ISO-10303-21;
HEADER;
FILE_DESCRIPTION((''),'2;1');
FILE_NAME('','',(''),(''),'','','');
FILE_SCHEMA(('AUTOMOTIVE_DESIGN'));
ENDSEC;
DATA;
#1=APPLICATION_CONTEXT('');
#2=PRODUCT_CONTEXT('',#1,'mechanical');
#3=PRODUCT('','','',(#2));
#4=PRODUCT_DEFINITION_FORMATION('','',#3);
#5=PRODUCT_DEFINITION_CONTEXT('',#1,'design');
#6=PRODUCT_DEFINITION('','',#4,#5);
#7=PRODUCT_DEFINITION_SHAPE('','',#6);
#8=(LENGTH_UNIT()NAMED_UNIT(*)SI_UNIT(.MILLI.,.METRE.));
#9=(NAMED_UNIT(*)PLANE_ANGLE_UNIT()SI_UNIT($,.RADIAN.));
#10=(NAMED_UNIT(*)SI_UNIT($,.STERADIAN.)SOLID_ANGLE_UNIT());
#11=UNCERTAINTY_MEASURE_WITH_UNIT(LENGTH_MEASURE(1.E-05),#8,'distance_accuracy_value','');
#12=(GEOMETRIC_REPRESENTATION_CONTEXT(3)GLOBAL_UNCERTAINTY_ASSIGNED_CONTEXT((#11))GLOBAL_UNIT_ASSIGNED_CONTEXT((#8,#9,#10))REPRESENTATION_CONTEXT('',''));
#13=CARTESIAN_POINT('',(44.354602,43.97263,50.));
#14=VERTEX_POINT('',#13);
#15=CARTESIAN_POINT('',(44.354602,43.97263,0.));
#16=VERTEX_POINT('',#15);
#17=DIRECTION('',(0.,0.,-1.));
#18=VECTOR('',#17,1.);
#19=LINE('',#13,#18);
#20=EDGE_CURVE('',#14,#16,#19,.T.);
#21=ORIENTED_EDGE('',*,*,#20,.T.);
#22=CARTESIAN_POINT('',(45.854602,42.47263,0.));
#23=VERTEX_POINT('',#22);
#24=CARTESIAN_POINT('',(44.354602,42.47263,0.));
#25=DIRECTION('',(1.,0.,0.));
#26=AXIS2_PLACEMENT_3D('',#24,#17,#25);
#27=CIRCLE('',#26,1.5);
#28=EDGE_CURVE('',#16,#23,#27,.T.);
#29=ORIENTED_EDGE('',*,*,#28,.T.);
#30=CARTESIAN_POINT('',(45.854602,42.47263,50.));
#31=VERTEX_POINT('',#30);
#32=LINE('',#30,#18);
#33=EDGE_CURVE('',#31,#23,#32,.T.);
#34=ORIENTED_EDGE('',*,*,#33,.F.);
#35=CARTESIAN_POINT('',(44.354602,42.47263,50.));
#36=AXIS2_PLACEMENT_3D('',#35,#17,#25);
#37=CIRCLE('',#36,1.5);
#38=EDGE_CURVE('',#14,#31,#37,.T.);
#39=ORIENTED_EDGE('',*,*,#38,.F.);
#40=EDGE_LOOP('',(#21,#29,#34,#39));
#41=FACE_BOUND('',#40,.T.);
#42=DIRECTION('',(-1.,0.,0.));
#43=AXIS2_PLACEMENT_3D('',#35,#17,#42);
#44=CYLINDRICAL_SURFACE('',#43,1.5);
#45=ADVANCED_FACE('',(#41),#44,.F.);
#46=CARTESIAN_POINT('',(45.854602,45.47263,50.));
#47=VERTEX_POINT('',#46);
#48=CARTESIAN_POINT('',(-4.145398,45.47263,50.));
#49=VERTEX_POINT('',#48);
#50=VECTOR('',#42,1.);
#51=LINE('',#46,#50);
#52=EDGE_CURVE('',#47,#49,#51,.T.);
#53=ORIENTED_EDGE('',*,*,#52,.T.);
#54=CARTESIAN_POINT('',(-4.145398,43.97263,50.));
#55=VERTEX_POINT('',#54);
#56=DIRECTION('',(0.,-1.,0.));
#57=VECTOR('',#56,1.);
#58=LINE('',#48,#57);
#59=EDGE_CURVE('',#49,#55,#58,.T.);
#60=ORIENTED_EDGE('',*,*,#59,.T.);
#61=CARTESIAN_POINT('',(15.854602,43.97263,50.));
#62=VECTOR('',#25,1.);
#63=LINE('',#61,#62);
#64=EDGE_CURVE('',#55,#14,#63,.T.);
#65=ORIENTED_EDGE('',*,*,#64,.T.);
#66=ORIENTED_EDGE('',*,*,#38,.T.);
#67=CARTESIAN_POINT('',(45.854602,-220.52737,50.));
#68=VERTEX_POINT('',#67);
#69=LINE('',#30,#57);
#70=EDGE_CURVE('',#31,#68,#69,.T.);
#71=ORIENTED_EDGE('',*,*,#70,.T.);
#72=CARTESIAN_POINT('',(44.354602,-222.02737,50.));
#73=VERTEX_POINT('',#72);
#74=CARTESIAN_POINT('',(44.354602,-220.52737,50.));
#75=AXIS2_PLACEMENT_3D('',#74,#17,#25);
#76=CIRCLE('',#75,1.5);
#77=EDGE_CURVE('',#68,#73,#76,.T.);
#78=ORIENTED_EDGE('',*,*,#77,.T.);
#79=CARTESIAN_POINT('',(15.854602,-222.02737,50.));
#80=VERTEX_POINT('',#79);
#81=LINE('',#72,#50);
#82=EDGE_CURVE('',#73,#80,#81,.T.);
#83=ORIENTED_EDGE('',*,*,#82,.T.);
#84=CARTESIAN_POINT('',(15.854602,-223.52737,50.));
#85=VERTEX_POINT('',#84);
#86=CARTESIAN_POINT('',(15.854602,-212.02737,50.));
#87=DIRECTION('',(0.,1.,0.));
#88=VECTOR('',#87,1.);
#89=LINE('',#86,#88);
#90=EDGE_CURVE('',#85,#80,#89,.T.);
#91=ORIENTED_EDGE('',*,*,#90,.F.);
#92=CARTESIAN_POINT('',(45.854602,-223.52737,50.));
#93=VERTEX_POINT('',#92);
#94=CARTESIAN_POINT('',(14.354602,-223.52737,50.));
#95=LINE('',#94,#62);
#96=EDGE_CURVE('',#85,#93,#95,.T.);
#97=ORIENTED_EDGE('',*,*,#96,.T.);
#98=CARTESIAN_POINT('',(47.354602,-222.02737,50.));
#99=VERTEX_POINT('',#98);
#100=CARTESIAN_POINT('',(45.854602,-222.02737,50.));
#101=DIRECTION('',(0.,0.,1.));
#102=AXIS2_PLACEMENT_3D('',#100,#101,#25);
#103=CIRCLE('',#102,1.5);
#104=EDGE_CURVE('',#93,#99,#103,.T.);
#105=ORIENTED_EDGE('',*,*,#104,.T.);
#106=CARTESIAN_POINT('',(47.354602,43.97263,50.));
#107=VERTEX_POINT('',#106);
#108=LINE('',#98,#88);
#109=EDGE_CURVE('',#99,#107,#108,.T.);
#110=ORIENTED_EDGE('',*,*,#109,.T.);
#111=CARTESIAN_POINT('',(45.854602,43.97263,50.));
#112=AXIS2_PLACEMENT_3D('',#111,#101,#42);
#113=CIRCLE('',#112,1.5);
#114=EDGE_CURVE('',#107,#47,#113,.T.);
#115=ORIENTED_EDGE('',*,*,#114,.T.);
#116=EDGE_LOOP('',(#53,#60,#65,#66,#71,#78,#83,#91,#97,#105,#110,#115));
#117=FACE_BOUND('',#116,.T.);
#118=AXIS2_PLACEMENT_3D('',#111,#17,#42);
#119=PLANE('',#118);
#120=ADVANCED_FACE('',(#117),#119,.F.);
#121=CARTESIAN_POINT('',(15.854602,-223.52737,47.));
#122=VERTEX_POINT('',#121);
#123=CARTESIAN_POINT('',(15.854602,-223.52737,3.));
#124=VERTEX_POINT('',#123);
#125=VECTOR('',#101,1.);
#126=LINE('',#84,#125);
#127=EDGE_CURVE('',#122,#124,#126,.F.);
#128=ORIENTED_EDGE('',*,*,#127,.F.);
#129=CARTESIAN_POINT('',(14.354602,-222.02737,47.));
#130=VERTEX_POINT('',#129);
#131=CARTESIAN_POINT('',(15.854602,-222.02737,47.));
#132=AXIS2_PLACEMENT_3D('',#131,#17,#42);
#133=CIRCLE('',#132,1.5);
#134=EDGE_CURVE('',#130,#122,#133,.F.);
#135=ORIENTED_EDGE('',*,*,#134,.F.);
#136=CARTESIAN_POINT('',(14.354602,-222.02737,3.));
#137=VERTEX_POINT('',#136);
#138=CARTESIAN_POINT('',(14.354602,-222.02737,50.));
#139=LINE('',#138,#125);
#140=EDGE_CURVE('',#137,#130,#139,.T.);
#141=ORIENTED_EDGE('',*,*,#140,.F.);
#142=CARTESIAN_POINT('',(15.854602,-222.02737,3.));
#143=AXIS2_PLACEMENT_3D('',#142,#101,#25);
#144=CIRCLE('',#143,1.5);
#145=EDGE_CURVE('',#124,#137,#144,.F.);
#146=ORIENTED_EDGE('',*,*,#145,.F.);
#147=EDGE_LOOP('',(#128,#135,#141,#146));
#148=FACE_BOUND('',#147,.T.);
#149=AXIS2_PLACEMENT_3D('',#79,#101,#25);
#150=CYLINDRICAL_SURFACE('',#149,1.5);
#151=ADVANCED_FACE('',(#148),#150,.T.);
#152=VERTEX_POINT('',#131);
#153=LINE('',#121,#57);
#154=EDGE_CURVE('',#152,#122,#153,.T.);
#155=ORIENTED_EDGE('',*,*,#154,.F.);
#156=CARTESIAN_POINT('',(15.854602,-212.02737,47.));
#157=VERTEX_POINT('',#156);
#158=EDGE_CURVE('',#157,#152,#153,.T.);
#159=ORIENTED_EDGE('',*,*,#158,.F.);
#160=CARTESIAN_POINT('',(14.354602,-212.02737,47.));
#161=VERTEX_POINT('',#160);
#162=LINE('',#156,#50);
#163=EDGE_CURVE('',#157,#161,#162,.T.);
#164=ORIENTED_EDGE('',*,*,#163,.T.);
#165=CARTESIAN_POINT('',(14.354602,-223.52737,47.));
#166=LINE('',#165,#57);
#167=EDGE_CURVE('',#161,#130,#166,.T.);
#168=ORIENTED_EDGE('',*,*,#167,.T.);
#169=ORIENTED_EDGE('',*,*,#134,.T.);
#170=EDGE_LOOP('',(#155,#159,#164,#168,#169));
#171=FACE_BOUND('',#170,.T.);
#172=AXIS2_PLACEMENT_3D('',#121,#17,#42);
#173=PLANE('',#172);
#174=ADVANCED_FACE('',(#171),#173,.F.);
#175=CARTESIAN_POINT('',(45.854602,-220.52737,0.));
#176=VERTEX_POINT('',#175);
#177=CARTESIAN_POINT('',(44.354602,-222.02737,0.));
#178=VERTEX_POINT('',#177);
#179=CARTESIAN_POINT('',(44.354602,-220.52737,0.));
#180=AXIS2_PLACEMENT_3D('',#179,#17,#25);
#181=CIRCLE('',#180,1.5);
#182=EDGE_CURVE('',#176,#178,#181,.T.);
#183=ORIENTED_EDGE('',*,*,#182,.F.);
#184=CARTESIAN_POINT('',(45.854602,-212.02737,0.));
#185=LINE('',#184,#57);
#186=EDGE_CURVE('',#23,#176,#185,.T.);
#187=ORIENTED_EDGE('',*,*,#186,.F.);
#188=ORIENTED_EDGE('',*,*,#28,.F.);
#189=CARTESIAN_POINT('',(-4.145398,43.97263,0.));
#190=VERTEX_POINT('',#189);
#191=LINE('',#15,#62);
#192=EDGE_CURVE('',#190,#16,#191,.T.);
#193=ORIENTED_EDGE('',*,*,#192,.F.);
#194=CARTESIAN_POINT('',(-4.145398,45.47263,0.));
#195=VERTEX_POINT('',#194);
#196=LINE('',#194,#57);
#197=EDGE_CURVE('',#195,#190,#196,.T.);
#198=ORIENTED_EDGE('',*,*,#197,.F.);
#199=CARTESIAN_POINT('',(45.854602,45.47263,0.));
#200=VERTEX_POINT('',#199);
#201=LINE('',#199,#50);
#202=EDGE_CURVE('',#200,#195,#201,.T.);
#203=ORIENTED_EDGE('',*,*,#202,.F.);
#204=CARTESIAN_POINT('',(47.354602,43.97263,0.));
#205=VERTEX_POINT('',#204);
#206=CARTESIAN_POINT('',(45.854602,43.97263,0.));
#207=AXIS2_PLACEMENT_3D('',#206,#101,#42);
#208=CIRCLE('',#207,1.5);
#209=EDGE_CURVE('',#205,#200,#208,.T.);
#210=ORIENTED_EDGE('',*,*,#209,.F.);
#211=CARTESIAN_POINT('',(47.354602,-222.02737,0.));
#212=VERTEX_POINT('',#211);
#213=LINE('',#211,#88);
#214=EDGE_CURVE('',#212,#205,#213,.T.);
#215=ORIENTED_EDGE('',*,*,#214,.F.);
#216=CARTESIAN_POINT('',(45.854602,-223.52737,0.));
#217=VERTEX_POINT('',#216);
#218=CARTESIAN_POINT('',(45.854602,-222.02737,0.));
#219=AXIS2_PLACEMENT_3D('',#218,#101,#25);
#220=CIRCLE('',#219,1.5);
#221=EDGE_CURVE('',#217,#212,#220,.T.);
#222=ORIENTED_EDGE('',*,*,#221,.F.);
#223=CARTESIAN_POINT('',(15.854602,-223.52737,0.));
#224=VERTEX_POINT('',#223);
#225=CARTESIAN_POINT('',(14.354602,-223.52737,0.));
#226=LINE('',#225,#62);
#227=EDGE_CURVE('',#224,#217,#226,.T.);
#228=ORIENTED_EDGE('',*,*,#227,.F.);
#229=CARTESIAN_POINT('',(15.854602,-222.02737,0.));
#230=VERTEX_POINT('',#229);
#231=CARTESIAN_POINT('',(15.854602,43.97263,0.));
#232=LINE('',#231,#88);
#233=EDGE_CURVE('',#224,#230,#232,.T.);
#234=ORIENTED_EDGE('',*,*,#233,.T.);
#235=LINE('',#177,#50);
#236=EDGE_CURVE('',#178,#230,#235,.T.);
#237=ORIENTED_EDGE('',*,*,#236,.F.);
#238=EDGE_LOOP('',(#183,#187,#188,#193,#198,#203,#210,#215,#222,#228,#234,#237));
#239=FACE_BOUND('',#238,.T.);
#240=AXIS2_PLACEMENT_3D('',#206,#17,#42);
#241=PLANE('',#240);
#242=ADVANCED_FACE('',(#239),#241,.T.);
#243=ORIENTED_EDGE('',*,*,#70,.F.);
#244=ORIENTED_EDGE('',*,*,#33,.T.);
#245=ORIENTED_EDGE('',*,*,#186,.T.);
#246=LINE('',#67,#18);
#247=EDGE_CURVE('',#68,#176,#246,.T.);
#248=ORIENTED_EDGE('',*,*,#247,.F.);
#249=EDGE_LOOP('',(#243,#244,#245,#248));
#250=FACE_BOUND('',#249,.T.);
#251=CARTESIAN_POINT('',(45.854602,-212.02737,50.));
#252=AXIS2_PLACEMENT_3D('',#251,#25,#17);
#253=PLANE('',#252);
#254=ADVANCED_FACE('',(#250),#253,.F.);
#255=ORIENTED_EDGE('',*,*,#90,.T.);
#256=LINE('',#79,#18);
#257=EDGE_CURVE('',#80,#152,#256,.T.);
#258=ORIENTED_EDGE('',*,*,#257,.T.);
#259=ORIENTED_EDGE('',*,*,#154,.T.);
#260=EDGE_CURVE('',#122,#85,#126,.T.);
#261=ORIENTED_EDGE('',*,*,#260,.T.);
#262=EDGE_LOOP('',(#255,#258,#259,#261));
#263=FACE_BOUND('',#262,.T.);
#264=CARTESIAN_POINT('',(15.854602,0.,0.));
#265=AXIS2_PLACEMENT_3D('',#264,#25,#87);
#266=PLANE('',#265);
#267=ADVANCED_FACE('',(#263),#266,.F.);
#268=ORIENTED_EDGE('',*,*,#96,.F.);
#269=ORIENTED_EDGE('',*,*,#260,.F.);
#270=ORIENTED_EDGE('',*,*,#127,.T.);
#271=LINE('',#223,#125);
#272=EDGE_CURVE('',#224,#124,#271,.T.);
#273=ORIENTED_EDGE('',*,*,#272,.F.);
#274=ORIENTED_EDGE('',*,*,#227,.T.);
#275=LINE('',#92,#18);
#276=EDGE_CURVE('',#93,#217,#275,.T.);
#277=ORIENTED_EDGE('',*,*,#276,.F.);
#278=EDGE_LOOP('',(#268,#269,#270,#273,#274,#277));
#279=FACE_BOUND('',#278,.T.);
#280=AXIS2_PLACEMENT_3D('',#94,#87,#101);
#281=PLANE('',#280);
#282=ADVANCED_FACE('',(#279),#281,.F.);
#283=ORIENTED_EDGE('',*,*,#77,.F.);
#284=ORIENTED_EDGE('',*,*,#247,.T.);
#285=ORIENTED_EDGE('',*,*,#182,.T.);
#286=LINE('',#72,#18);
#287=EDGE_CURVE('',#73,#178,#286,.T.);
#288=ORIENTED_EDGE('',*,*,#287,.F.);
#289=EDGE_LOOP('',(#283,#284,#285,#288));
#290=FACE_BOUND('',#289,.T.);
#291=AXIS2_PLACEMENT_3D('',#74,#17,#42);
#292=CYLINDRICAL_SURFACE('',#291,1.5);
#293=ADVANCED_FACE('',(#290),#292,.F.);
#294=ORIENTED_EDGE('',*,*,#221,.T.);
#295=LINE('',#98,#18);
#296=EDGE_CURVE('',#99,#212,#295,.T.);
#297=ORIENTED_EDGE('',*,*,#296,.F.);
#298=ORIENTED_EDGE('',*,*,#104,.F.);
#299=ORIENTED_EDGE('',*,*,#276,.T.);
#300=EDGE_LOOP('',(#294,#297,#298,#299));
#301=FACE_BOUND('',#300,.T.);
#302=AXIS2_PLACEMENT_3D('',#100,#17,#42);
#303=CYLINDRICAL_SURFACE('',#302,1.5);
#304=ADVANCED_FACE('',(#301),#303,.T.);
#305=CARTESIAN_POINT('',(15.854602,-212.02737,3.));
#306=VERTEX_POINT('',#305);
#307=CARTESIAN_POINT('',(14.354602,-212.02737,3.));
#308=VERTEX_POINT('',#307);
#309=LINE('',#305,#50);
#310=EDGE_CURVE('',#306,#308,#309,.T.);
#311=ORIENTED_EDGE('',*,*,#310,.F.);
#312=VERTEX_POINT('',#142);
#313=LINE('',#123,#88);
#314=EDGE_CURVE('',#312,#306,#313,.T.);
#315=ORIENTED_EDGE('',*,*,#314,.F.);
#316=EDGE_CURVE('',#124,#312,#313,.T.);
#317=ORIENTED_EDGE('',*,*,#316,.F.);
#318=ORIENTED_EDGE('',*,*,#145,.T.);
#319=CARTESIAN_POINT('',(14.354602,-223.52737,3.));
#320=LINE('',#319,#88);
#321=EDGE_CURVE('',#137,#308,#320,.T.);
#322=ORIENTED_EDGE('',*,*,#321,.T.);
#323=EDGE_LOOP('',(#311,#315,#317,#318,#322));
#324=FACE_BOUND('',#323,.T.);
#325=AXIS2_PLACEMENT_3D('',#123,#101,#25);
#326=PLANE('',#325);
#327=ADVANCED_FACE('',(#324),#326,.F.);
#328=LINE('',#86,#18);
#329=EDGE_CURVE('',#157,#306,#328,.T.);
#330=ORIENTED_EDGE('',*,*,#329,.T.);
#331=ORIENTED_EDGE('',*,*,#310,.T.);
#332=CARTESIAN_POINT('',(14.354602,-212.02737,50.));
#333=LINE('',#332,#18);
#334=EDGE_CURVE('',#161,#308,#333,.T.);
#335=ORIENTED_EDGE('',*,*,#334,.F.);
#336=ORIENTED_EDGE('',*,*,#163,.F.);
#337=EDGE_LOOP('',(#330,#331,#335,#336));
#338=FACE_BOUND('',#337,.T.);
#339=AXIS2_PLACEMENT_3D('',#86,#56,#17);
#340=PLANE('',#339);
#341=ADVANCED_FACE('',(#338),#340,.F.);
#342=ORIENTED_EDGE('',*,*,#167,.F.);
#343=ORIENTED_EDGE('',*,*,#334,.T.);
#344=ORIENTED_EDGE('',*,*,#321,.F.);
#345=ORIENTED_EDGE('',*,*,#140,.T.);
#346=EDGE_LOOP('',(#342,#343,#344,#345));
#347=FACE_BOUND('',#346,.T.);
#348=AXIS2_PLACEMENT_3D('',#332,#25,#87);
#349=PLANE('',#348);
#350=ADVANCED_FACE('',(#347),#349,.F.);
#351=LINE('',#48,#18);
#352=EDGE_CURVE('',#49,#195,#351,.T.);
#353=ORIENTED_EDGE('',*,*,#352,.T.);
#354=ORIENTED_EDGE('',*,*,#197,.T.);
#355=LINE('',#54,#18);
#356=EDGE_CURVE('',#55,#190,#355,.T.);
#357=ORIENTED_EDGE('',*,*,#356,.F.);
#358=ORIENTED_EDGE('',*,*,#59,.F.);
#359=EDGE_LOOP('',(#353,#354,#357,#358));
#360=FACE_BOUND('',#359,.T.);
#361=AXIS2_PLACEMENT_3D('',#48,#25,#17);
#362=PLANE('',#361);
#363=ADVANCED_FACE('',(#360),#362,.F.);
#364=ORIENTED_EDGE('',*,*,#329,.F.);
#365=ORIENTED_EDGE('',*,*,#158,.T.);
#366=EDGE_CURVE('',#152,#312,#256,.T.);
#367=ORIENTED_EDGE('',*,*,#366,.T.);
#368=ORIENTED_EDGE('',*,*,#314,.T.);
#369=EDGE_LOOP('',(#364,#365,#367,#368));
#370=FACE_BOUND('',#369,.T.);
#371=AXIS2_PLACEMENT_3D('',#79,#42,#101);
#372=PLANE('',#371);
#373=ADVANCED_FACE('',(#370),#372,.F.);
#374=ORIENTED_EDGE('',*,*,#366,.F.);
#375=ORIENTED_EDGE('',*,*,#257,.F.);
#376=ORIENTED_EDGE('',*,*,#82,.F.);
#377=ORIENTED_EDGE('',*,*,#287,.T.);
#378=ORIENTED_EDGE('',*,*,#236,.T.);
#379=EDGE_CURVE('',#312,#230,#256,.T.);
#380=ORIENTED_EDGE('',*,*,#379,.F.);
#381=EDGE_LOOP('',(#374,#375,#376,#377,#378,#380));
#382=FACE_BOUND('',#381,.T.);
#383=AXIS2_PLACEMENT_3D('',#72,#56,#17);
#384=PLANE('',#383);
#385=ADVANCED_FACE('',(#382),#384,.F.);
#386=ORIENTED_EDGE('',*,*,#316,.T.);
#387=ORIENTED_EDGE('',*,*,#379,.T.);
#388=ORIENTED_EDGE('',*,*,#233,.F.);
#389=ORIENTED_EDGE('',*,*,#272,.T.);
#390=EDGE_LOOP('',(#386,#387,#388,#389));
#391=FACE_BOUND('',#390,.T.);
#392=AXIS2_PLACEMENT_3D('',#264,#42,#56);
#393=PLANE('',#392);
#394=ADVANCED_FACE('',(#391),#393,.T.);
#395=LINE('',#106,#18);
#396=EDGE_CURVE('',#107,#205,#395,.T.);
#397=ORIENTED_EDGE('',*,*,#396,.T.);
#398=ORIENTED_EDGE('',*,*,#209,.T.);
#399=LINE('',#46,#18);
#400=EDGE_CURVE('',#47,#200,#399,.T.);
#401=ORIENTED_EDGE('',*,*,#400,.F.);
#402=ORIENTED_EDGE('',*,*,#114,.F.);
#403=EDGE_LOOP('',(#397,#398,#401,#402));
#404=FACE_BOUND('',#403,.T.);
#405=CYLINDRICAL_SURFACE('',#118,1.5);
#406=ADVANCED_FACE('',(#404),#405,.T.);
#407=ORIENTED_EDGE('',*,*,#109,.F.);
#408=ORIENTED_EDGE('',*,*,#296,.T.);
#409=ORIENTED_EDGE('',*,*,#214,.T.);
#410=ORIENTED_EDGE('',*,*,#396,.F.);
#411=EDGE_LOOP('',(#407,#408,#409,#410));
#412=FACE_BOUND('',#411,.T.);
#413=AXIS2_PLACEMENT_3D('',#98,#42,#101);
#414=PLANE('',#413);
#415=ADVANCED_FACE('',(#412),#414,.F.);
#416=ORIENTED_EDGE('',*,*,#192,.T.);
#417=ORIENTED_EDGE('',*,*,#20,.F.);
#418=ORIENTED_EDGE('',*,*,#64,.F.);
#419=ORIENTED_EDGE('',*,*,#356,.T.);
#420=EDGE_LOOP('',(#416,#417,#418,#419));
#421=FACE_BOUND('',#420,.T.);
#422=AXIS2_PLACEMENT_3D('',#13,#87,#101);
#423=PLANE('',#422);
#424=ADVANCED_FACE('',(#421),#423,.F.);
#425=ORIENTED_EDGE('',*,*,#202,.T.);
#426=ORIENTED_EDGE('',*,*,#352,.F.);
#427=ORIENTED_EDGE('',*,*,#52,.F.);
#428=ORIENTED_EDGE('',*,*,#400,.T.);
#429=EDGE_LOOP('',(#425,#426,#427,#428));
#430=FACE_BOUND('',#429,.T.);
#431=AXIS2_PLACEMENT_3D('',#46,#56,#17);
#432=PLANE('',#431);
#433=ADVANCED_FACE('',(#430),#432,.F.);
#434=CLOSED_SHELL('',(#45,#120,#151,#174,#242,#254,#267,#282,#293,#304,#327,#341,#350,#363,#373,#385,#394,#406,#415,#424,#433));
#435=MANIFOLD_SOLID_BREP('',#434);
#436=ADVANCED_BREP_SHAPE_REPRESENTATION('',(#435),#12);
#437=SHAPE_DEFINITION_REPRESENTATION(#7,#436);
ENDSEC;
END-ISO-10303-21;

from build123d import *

# Parameters (mm, degrees)
EXTRUDE_2_DEPTH     = 50
SKETCH_2_W          = 3
SKETCH_2_H          = 11.5
CUT_EXTRUDE_1_DEPTH = 1.5
FILLET_1_R          = 1.5


with BuildPart() as part:
    # 草图1 → 凸台-拉伸2 (new body)
    with BuildSketch(Plane.XY):
        with BuildLine():
            Line((44.354602366, 43.972629848), (15.854602366, 43.972629848))
            Line((15.854602366, 43.972629848), (-4.145397634, 43.972629848))
            Line((-4.145397634, 43.972629848), (-4.145397634, 45.472629848))
            Line((-4.145397634, 45.472629848), (45.854602366, 45.472629848))
            ThreePointArc((45.854602366, 45.472629848), (46.915262538, 45.03329002), (47.354602366, 43.972629848))
            Line((47.354602366, 43.972629848), (47.354602366, -222.027370152))
            ThreePointArc((47.354602366, -222.027370152), (46.915262538, -223.088030324), (45.854602366, -223.527370152))
            Line((45.854602366, -223.527370152), (14.354602366, -223.527370152))
            Line((14.354602366, -223.527370152), (14.354602366, -212.027370152))
            Line((14.354602366, -212.027370152), (15.854602366, -212.027370152))
            Line((15.854602366, -212.027370152), (15.854602366, -222.027370152))
            Line((15.854602366, -222.027370152), (44.354602366, -222.027370152))
            ThreePointArc((44.354602366, -222.027370152), (45.415262538, -221.588030324), (45.854602366, -220.527370152))
            Line((45.854602366, -220.527370152), (45.854602366, -212.027370152))
            Line((45.854602366, -212.027370152), (45.854602366, -36.027370152))
            Line((45.854602366, -36.027370152), (45.854602366, 42.472629848))
            ThreePointArc((45.854602366, 42.472629848), (45.415262538, 43.53329002), (44.354602366, 43.972629848))
        make_face()
    extrude(amount=EXTRUDE_2_DEPTH)

    # 草图2 → 切除-拉伸1 (cut)
    with BuildSketch(Plane.ZY.offset(-14.354602366)):
        with Locations((48.5, -217.777370152)):
            Rectangle(SKETCH_2_W, SKETCH_2_H)
        with Locations((1.5, -217.777370152)):
            Rectangle(SKETCH_2_W, SKETCH_2_H)
    extrude(amount=-CUT_EXTRUDE_1_DEPTH, mode=Mode.SUBTRACT)

    # 圆角1
    fillet_1_edges = [part.edges().sort_by_distance(p)[0] for p in [
        (14.354602366, -223.527370152, 25),
    ]]
    fillet(fillet_1_edges, radius=FILLET_1_R)


solid = part.part
